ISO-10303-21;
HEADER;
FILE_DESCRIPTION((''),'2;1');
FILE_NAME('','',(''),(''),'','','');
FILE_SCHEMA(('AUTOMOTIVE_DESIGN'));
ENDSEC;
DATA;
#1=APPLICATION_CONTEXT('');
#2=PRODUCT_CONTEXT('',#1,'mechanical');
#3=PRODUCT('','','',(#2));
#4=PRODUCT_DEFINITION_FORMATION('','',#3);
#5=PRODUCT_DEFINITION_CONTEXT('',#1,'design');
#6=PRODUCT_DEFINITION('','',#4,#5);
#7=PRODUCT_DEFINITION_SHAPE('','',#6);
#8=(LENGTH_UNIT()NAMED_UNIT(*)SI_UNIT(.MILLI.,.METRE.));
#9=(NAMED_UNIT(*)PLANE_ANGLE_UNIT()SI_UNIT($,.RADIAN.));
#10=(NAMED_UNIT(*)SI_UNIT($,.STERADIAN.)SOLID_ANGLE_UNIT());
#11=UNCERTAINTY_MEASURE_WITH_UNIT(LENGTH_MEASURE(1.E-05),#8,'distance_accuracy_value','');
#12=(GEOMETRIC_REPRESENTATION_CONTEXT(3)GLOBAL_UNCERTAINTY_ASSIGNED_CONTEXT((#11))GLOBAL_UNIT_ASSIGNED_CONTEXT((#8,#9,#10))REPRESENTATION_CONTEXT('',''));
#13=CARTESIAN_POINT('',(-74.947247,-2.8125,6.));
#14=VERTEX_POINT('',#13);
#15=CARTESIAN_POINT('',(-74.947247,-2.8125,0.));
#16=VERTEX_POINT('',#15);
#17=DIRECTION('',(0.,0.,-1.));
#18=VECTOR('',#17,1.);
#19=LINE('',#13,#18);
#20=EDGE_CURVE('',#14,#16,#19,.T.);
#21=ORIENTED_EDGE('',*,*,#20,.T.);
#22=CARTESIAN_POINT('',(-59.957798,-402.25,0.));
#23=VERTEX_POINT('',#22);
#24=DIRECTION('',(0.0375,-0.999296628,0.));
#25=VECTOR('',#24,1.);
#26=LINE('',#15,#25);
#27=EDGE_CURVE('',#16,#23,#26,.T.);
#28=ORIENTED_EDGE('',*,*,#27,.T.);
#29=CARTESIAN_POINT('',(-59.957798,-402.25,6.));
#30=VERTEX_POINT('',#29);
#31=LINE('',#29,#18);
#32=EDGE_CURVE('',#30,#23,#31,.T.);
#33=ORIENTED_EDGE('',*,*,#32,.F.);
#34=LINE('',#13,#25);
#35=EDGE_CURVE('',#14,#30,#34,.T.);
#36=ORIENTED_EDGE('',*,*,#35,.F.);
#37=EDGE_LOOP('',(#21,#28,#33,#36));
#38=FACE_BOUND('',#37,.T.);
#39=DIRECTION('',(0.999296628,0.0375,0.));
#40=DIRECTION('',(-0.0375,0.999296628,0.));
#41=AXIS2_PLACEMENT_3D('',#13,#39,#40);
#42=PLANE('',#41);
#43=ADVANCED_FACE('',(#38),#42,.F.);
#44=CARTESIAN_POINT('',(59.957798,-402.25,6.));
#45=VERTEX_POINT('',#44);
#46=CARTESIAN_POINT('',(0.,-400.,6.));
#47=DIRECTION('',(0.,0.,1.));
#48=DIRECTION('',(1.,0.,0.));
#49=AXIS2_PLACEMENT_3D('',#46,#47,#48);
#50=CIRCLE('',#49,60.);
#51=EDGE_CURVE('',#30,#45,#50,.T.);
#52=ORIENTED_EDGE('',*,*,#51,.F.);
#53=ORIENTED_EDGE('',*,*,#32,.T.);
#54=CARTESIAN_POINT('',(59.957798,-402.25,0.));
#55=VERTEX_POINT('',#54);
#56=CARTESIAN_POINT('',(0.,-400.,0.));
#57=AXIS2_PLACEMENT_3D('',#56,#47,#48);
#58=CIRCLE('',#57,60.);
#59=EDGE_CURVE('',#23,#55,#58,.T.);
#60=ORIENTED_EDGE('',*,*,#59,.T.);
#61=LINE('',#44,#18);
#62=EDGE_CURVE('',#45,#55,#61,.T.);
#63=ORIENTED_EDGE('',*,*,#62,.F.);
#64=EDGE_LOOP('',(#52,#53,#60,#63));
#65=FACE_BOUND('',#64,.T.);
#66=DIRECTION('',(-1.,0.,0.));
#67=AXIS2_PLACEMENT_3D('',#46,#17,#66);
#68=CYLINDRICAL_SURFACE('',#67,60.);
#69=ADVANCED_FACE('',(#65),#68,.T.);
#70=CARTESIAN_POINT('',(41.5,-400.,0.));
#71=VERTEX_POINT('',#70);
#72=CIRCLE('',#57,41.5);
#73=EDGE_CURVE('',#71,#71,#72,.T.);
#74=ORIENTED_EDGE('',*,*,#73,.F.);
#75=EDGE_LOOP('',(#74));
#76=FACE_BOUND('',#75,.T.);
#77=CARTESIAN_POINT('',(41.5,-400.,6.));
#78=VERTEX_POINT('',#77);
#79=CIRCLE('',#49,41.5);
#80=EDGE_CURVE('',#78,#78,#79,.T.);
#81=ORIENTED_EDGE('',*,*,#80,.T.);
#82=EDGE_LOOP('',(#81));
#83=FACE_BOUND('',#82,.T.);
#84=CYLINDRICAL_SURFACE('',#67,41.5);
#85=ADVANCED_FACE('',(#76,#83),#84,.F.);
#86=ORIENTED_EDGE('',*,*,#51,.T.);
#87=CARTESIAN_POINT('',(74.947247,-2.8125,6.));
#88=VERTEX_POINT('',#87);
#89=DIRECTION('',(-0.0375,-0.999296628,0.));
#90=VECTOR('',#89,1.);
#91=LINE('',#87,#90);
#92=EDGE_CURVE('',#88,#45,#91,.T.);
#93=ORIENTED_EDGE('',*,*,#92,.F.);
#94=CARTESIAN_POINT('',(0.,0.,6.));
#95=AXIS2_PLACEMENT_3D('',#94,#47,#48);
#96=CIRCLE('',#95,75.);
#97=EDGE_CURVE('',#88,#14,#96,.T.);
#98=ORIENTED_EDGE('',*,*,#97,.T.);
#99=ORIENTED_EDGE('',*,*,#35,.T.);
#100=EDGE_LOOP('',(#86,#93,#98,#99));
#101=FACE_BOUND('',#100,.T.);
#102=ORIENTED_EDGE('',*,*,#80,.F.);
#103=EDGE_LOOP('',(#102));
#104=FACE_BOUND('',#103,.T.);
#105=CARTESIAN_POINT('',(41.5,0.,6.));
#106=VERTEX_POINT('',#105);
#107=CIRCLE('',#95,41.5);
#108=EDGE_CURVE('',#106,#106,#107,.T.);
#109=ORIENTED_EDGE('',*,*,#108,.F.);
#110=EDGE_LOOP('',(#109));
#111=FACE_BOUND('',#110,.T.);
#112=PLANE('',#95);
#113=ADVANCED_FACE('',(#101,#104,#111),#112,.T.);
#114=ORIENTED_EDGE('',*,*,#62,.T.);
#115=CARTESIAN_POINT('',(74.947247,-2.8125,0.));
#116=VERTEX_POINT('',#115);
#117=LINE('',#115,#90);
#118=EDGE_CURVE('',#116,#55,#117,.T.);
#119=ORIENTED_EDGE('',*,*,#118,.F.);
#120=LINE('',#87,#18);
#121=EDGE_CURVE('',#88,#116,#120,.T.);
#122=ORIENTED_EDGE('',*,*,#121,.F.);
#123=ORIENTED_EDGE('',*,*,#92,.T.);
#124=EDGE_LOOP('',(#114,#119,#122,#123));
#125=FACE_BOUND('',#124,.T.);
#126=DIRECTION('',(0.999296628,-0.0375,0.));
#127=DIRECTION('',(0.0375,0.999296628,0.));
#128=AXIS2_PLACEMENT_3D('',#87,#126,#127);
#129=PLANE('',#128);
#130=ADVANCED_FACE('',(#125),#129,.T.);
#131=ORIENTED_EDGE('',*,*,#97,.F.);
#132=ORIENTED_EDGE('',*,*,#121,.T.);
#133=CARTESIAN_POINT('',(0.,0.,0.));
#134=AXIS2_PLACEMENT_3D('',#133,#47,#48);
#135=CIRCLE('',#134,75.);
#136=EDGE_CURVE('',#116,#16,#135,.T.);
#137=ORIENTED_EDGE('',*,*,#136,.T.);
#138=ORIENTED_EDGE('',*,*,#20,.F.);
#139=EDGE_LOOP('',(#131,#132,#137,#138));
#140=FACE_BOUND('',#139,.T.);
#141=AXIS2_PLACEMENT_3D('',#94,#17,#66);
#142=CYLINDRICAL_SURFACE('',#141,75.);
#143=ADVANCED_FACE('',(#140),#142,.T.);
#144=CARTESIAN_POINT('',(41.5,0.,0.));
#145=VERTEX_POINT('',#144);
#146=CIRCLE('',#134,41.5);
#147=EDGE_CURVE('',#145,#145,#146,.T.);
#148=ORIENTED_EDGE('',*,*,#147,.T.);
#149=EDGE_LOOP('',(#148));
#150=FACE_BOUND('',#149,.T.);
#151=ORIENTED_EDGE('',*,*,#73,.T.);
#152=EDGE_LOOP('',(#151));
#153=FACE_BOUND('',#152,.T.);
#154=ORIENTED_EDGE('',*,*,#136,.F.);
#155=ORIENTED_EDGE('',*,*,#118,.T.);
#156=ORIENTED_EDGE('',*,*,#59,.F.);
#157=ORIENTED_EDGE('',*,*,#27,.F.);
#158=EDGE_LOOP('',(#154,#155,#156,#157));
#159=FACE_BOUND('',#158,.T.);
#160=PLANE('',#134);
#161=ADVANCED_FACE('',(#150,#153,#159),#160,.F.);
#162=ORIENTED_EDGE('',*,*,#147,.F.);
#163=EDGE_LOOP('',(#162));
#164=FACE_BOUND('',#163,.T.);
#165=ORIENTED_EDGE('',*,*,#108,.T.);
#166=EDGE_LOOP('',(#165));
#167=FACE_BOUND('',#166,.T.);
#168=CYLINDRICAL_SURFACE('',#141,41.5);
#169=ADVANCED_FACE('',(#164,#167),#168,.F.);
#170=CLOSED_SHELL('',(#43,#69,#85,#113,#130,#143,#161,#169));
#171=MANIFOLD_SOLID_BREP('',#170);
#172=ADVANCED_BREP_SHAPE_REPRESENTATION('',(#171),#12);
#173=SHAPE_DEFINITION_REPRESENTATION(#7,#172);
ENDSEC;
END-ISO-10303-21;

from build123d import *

# Parameters (mm, degrees)
SKETCH_1_R      = 41.5
EXTRUDE_1_DEPTH = 6


with BuildPart() as part:
    # 草图1 → 凸台-拉伸1 (new body)
    with BuildSketch(Plane.XY):
        with BuildLine():
            Line((-74.947247073, -2.8125), (-59.957797658, -402.25))
            ThreePointArc((-59.957797658, -402.25), (0, -460), (59.957797658, -402.25))
            Line((59.957797658, -402.25), (74.947247073, -2.8125))
            ThreePointArc((74.947247073, -2.8125), (0, 75), (-74.947247073, -2.8125))
        make_face()
        Circle(SKETCH_1_R, mode=Mode.SUBTRACT)
        with Locations((0, -400)):
            Circle(SKETCH_1_R, mode=Mode.SUBTRACT)
    extrude(amount=EXTRUDE_1_DEPTH)


solid = part.part
